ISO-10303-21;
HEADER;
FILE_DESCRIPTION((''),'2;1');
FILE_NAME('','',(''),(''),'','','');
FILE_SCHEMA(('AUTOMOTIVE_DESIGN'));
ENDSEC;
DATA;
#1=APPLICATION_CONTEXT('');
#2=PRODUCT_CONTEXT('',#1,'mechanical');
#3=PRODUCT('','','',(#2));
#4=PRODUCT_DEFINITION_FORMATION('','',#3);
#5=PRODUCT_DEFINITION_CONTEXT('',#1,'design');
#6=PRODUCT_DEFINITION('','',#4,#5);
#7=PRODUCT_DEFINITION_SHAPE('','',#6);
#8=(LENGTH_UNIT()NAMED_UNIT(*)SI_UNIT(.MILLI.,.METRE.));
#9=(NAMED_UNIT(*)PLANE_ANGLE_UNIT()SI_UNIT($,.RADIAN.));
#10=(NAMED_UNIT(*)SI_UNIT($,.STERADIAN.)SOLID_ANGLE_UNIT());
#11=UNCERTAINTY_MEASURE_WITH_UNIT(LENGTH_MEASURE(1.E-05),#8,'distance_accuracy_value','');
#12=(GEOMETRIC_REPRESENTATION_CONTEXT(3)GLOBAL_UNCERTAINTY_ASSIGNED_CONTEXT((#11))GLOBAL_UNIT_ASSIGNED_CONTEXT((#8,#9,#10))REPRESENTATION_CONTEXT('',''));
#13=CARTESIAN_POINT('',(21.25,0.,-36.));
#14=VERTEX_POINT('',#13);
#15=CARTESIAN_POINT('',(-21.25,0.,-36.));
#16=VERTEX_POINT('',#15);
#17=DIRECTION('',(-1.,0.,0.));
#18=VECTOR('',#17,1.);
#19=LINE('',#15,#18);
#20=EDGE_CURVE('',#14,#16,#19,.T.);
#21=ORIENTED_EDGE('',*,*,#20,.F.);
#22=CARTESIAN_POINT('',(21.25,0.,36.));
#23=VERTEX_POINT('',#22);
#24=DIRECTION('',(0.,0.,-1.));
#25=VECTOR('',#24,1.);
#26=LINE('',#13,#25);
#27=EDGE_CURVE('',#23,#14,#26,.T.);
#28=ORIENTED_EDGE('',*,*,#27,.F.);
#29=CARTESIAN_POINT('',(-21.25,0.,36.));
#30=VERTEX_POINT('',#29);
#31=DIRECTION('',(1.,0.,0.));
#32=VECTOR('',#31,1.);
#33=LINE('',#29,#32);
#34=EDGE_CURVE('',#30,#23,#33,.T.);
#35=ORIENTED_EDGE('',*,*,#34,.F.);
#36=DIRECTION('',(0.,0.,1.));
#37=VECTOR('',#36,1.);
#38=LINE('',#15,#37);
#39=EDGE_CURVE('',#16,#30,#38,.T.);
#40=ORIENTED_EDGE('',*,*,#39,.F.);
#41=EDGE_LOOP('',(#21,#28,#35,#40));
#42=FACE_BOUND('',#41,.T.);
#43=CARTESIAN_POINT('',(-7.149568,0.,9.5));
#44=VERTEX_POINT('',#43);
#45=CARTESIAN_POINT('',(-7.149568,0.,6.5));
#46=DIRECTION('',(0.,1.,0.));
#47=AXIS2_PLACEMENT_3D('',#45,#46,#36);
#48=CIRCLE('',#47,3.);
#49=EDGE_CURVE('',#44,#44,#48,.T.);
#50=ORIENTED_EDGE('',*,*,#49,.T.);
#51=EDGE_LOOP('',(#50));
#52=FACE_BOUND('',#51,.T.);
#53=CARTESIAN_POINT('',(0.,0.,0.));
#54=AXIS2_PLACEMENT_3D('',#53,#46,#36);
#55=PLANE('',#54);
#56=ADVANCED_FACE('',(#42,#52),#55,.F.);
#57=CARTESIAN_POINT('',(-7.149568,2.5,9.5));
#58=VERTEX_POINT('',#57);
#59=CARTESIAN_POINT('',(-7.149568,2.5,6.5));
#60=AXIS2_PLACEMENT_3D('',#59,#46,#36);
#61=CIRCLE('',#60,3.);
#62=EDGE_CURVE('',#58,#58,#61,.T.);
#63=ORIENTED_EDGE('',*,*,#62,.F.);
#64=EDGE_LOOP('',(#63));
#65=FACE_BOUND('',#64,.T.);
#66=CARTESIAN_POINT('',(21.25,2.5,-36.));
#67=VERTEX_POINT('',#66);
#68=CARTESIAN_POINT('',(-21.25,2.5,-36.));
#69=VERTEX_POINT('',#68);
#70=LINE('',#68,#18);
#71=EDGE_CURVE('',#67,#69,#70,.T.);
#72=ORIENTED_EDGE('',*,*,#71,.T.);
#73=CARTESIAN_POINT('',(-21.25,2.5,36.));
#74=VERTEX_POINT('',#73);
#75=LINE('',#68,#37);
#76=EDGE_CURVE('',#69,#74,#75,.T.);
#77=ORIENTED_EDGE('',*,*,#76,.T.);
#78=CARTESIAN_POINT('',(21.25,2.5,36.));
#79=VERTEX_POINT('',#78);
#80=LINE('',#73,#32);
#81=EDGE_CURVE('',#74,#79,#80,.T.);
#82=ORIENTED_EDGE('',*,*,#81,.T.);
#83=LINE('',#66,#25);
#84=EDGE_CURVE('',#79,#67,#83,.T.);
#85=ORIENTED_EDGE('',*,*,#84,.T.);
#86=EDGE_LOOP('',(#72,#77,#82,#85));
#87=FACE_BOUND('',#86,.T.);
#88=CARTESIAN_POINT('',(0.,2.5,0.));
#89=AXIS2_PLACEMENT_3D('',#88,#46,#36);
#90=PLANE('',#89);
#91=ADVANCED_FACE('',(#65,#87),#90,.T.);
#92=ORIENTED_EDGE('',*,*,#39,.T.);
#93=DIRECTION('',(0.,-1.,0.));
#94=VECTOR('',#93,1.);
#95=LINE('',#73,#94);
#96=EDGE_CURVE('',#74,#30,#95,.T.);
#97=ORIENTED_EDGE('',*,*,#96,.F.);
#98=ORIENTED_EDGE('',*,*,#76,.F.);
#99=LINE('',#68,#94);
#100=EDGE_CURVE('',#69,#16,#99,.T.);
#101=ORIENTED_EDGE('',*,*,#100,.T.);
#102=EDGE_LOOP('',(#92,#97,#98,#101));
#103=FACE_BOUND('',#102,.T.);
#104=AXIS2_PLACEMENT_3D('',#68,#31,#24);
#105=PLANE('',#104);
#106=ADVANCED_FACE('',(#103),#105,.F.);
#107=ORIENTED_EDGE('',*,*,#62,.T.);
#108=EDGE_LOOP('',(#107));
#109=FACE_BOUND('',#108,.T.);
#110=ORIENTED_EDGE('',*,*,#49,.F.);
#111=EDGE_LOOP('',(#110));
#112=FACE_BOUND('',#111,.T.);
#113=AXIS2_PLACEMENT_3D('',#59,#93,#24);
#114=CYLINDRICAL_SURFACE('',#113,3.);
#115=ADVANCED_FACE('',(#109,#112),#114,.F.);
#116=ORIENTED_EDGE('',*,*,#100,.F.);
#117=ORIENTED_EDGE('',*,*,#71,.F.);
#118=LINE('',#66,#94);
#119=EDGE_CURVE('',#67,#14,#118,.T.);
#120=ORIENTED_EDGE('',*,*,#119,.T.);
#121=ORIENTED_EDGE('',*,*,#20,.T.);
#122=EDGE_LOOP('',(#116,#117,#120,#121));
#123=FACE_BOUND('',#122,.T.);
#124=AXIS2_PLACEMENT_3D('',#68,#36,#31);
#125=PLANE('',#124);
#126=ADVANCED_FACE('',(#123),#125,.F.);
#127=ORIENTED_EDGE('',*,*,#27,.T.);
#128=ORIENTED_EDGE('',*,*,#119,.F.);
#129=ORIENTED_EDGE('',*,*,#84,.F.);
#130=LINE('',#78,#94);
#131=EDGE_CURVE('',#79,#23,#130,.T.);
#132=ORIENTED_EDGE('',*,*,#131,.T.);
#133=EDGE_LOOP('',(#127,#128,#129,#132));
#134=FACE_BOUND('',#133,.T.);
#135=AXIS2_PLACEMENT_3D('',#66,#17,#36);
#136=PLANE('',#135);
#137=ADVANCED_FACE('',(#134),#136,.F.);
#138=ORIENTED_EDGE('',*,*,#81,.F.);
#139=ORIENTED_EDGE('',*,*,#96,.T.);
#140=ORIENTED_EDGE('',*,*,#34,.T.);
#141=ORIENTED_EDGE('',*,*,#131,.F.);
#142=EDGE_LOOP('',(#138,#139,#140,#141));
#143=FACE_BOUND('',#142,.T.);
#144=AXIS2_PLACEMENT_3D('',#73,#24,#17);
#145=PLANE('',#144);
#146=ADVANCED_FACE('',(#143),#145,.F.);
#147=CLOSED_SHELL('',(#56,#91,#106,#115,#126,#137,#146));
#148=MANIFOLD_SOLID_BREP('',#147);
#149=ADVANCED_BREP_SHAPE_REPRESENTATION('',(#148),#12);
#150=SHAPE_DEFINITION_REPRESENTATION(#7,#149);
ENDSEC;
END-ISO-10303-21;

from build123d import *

# Parameters (mm, degrees)
SKETCH1_W           = 42.5
SKETCH1_H           = 72
SKETCH1_R           = 3
BOSS_EXTRUDE1_DEPTH = 2.5


with BuildPart() as part:
    # Sketch1 → Boss-Extrude1 (new body)
    with BuildSketch(Plane(origin=(0, 0, 0), x_dir=(1, 0, 0), z_dir=(0, 1, 0))):
        Rectangle(SKETCH1_W, SKETCH1_H)
        with Locations(Location((-7.149568334, -6.5, 0), (0, 0, 270))):
            Circle(SKETCH1_R, mode=Mode.SUBTRACT)
    extrude(amount=BOSS_EXTRUDE1_DEPTH)


solid = part.part
